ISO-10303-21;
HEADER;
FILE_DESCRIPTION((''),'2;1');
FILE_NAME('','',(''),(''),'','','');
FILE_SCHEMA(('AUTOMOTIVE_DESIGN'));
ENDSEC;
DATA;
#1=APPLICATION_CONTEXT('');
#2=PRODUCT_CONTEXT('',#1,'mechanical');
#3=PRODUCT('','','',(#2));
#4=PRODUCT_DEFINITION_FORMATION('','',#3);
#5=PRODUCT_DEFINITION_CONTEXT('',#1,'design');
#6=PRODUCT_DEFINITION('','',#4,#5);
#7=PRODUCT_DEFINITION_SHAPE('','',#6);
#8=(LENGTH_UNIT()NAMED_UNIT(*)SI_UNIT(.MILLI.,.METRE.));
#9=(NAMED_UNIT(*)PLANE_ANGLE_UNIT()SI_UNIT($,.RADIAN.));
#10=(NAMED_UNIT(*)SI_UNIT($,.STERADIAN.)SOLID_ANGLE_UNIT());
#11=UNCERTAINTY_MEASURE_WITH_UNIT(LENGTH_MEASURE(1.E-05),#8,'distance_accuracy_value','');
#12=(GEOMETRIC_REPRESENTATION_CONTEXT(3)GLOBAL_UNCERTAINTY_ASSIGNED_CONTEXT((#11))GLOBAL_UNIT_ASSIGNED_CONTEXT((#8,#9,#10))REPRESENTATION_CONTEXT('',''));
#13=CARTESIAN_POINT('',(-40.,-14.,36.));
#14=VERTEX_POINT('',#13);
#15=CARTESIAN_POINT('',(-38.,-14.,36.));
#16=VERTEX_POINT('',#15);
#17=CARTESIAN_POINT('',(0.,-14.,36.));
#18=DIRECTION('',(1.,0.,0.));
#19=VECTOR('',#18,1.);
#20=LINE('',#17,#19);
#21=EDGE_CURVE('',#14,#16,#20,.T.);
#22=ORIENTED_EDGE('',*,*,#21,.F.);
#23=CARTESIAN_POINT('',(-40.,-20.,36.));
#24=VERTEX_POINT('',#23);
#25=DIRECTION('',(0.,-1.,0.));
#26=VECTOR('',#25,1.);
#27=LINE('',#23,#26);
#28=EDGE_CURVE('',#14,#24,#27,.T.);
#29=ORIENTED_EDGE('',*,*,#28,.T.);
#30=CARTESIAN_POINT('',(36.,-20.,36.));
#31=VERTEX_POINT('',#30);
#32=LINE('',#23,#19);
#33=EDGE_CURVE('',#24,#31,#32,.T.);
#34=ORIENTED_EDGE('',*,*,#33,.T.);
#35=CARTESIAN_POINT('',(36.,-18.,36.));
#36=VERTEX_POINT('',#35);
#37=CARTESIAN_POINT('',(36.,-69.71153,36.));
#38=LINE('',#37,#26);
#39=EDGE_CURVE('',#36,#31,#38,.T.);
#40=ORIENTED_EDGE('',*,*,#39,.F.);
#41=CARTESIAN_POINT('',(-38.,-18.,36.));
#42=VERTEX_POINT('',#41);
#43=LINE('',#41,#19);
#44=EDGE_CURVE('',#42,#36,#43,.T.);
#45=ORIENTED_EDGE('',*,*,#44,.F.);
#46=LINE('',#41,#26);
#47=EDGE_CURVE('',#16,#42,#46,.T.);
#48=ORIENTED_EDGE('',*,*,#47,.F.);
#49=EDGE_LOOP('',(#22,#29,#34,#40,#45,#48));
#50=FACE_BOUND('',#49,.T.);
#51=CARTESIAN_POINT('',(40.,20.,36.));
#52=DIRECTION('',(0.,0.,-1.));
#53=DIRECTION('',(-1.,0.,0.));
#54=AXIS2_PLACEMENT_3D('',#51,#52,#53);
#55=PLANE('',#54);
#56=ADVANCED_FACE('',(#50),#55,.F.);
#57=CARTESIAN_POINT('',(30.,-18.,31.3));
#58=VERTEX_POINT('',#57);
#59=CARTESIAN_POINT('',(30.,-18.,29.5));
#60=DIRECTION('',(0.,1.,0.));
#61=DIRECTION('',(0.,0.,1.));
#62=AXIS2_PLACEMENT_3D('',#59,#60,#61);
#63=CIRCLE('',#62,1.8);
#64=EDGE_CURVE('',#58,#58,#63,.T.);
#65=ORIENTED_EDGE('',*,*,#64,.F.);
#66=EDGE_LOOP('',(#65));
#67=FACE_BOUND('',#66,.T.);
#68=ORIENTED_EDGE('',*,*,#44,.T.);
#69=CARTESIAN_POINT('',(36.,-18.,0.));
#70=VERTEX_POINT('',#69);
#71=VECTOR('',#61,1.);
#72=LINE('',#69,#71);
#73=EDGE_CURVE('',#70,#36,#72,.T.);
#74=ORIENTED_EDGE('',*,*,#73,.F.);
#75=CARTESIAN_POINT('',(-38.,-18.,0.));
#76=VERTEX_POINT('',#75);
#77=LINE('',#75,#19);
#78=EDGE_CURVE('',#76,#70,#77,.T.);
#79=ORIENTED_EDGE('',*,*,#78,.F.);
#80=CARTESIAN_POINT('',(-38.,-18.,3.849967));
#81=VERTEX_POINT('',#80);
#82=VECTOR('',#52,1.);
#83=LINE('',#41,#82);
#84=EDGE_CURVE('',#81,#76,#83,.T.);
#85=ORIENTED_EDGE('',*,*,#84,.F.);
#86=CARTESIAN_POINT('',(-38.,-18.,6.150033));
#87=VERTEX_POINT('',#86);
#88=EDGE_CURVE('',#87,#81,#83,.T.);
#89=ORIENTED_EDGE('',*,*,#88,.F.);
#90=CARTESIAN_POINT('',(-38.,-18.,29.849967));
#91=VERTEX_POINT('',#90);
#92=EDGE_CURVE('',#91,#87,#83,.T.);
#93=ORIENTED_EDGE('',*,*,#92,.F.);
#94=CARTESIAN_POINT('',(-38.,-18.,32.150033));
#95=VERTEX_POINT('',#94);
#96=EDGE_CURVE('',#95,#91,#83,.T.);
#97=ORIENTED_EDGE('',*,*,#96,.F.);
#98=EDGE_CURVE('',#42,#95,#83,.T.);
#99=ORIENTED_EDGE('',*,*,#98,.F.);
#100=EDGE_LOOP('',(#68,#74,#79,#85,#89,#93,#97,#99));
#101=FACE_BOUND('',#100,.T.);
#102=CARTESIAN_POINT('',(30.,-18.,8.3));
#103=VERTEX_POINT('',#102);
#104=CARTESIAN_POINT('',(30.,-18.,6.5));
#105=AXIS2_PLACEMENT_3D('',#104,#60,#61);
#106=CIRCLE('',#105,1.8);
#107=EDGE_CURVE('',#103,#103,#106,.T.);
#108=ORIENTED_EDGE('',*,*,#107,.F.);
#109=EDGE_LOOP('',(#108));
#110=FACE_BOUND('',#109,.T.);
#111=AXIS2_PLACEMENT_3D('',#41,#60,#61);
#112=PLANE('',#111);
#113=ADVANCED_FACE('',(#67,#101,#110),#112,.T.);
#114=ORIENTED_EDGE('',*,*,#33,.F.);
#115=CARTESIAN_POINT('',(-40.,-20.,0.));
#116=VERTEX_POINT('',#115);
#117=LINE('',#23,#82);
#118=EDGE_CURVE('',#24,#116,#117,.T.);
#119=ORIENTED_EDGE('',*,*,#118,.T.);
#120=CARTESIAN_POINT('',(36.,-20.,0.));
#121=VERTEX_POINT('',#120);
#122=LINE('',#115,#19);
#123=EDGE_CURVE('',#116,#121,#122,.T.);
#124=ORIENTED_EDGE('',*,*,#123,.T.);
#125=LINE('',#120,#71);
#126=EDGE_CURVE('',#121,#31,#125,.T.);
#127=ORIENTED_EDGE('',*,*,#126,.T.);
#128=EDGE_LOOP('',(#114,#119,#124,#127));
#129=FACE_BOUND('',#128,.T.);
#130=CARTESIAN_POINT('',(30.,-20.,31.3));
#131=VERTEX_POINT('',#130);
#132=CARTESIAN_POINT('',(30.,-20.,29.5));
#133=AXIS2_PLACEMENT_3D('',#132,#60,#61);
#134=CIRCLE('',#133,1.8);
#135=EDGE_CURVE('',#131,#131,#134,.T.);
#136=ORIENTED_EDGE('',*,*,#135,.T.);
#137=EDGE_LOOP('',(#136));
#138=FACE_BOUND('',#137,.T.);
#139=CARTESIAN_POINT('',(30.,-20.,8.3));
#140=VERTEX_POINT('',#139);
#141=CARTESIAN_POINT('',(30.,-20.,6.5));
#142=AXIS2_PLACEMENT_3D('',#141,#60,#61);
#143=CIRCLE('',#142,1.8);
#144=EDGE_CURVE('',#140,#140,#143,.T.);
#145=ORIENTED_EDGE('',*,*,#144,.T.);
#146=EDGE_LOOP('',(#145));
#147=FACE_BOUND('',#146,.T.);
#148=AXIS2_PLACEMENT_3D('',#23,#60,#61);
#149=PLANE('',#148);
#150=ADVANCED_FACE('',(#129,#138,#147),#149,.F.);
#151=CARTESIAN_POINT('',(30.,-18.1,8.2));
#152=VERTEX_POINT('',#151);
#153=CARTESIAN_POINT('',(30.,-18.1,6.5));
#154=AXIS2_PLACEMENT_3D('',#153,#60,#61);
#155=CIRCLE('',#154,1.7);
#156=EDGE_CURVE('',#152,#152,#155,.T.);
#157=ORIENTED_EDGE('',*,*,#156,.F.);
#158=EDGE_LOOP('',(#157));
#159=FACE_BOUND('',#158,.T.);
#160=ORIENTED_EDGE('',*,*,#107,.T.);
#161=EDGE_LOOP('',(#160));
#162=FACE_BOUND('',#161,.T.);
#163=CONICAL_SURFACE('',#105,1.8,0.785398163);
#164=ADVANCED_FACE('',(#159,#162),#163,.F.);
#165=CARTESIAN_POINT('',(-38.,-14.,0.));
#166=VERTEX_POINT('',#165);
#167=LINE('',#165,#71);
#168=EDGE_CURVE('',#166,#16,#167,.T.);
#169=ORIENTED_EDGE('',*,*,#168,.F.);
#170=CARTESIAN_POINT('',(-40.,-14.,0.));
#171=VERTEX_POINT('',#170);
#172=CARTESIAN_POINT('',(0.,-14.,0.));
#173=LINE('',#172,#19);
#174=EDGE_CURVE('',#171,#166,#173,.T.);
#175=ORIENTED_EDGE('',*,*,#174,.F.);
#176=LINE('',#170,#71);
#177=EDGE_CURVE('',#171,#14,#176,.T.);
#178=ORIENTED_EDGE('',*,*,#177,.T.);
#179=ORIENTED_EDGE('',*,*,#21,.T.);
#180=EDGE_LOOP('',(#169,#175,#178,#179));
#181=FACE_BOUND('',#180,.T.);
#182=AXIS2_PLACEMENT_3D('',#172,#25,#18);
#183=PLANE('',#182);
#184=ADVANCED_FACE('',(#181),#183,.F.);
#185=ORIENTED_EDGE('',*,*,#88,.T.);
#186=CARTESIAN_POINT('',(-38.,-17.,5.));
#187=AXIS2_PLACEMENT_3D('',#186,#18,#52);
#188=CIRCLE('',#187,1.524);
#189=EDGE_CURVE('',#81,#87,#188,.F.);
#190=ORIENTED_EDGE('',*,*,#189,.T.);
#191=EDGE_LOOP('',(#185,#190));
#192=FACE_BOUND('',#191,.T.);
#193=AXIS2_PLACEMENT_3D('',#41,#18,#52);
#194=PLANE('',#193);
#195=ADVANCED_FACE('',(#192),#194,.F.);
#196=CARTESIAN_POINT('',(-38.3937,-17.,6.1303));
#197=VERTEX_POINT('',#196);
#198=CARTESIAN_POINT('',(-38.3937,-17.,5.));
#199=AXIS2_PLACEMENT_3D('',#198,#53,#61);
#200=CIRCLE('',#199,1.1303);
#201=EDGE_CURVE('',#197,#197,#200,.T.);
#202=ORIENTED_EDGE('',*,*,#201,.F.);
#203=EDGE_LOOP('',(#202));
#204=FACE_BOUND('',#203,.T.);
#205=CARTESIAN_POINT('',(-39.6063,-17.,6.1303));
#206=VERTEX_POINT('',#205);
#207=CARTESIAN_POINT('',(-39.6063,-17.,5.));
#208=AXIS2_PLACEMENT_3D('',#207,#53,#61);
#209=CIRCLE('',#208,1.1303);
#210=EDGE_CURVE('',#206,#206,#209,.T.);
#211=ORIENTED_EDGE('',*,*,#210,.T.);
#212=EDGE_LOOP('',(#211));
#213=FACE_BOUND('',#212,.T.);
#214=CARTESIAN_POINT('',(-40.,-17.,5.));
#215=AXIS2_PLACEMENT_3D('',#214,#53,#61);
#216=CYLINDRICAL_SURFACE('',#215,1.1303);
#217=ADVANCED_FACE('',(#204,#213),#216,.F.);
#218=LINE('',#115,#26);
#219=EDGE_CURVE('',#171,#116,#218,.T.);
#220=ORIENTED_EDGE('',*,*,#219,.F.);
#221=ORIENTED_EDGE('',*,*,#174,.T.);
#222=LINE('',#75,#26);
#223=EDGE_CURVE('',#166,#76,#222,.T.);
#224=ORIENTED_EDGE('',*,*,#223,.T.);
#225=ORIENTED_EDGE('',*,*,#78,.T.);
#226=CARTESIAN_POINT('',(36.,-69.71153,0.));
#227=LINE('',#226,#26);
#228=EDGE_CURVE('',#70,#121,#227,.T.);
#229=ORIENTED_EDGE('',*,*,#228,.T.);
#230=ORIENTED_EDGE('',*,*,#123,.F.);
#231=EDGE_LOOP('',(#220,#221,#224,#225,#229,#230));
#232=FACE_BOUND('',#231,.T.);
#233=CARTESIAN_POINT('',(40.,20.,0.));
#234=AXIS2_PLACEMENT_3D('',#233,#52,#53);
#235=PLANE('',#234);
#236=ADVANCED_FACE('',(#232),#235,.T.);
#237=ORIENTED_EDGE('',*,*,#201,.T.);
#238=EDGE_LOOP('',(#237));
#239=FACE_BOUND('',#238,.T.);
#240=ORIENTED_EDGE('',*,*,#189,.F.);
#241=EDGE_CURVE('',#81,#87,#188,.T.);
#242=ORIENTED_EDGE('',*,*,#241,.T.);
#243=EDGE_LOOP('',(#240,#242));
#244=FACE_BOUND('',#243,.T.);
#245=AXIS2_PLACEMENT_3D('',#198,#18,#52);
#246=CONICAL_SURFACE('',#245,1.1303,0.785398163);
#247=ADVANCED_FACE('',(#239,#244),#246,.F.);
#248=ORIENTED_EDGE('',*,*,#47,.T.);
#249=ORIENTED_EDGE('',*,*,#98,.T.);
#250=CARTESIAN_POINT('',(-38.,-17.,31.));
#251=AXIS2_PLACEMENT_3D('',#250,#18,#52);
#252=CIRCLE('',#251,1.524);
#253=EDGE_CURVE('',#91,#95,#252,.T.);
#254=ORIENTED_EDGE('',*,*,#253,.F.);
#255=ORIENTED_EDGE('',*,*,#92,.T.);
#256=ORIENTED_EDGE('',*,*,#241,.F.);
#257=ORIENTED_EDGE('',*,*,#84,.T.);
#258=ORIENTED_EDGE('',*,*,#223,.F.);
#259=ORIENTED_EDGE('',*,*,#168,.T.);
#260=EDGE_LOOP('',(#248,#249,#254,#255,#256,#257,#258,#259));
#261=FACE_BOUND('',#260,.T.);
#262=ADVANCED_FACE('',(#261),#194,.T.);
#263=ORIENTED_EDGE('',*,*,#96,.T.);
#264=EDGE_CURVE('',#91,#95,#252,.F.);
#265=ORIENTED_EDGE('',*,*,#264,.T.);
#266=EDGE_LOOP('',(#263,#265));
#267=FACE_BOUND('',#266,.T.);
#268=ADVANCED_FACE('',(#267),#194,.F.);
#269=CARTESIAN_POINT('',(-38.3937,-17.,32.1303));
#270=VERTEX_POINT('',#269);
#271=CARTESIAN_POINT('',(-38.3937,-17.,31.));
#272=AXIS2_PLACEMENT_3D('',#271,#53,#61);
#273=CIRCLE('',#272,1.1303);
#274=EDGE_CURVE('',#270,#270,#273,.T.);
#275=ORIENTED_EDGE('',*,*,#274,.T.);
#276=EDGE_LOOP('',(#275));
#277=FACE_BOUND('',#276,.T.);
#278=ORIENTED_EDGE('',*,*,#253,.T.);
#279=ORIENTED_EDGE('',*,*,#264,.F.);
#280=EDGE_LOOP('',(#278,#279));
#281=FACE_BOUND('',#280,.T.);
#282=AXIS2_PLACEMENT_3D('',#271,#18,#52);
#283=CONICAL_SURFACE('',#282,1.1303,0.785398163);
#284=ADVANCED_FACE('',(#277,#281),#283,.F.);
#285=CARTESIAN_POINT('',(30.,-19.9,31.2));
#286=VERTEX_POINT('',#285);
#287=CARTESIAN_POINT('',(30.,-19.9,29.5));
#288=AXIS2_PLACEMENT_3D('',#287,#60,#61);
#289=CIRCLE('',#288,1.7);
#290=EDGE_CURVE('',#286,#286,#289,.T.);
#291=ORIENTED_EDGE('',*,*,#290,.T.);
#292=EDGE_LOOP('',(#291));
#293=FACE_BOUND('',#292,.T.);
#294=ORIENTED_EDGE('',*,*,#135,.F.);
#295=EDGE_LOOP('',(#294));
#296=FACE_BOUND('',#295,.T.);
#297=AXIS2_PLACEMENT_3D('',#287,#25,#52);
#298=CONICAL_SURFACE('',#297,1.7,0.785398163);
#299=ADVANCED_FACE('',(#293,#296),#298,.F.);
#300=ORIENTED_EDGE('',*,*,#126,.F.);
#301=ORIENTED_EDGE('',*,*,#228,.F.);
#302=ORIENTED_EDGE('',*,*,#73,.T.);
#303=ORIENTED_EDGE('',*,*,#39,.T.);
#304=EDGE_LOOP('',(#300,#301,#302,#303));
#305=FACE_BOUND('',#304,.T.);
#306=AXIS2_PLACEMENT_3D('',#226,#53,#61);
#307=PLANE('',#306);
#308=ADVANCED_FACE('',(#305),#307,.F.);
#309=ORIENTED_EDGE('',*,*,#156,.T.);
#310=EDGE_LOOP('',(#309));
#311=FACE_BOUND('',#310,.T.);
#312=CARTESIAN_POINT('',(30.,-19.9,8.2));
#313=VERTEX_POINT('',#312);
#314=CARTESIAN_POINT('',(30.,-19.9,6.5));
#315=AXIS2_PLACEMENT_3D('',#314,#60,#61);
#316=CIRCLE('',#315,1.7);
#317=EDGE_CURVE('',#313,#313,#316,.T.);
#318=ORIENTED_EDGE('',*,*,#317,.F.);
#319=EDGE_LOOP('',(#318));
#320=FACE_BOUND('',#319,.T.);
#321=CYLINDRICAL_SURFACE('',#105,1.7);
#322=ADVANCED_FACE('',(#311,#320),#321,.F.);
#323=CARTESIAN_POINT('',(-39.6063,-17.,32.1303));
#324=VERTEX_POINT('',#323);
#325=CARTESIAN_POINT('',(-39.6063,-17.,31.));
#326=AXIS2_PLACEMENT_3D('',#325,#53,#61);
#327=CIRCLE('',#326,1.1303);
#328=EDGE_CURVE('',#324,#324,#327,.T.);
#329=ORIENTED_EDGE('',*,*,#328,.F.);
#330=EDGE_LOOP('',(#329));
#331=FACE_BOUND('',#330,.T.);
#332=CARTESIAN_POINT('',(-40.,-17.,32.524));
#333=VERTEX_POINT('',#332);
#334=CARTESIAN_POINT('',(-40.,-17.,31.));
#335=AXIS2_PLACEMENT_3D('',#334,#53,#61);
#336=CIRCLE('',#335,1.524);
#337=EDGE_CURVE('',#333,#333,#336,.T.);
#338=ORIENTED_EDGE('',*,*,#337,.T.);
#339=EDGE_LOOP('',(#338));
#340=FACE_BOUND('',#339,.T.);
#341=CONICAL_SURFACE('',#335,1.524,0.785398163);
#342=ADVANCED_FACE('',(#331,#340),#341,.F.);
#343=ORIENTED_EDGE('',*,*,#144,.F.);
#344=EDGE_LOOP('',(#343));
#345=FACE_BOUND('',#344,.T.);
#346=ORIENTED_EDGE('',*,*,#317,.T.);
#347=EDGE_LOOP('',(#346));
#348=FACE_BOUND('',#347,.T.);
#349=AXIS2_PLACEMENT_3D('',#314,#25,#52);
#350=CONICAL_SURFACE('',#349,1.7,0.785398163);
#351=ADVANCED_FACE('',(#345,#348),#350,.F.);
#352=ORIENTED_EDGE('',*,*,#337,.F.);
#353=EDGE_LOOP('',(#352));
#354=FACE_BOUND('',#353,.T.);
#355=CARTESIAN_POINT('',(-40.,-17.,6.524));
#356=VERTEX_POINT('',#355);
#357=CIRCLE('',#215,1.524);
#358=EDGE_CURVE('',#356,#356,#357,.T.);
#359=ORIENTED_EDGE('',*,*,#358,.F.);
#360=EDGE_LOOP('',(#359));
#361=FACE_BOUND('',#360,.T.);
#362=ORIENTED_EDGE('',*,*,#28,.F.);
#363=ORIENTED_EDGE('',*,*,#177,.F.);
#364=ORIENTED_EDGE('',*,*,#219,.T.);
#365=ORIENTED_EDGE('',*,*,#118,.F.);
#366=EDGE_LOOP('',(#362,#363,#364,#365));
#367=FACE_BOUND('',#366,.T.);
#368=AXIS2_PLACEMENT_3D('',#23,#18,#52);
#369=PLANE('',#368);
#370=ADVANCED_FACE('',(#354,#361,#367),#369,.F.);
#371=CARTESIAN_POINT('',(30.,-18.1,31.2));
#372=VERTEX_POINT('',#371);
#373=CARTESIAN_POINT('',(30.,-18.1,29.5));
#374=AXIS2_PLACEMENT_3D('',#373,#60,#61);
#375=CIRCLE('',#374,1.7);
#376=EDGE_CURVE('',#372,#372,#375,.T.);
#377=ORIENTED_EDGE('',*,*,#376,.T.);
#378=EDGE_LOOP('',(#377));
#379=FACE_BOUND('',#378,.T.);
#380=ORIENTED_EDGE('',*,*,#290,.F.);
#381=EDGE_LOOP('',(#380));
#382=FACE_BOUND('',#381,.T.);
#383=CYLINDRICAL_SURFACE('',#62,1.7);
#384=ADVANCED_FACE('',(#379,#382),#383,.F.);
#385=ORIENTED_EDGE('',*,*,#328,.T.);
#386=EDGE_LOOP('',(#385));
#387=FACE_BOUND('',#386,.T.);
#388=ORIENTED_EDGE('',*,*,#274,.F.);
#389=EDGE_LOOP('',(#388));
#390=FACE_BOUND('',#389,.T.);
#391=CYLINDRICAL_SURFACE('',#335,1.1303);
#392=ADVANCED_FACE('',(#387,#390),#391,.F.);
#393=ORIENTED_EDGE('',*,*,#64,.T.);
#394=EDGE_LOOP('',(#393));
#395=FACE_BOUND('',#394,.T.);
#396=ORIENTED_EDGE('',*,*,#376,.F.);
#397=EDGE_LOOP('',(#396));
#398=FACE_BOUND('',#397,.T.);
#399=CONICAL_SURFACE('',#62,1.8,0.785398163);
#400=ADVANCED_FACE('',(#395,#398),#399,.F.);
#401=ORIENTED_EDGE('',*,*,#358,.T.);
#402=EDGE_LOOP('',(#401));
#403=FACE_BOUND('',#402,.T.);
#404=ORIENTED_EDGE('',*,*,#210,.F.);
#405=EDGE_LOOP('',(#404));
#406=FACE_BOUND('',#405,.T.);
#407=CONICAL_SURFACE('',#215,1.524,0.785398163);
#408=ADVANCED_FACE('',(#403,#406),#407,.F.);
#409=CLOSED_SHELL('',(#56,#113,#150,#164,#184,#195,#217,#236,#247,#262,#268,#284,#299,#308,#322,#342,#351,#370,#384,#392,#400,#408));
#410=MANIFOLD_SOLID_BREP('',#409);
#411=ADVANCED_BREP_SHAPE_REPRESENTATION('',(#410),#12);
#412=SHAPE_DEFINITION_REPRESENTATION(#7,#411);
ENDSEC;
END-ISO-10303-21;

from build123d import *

# Parameters (mm, degrees)
SKETCH_1_W                  = 80
SKETCH_1_H                  = 40
SKETCH_1_W_2                = 76
SKETCH_1_H_2                = 36
EXTRUDE_1_DEPTH             = 36
CUT_EXTRUDE_1_DEPTH         = 37
HOLE_WIZARD_4_40_AT_2_COUNT = 2
HOLE_WIZARD_4_40_AT_2_PITCH = 26
HOLE_WIZARD_M3_AT_2_COUNT   = 2
HOLE_WIZARD_M3_AT_2_PITCH   = 23


with BuildPart() as part:
    # Эскиз1 → Бобышка-Вытянуть1 (new body)
    with BuildSketch(Plane.XY):
        Rectangle(SKETCH_1_W, SKETCH_1_H)
        Rectangle(SKETCH_1_W_2, SKETCH_1_H_2, mode=Mode.SUBTRACT)
    extrude(amount=EXTRUDE_1_DEPTH)

    # Эскиз2 → Вырез-Вытянуть1 (cut, through all)
    with BuildSketch(Plane.XY.offset(36)):
        Polygon((-40, 20), (-40, -14), (-38, -14), (-38, 18), (38, 18), (38, -18), (36, -18), (36, -20), (40, -20), (40, 20), align=None)
    extrude(amount=-CUT_EXTRUDE_1_DEPTH, mode=Mode.SUBTRACT)

    # Эскиз3 → 4-40 (revolve, cut)
    with BuildSketch(Plane(origin=(-40, -17, 5), x_dir=(0, 0, 1), z_dir=(0, 1, 0))):
        Polygon((0, 0), (0, 2), (1.524, 2), (1.1303, 1.6063), (1.1303, 0.3937), (1.524, 0), align=None)
    hole_wizard_4_40 = revolve(axis=Axis((-46.35, -17, 5), (1, 0, 0)), mode=Mode.SUBTRACT)

    # 4-40 at 2: 4-40 ×2
    with Locations(*[(0, 0, i * HOLE_WIZARD_4_40_AT_2_PITCH) for i in range(1, HOLE_WIZARD_4_40_AT_2_COUNT)]):
        add(hole_wizard_4_40, mode=Mode.SUBTRACT)

    # Эскиз5 → Отверстие под  M3 (revolve, cut)
    with BuildSketch(Plane(origin=(30, -18, 6.5), x_dir=(0, 0, 1), z_dir=(1, 0, 0))):
        Polygon((0, 0), (0, 2), (1.8, 2), (1.7, 1.9), (1.7, 0.1), (1.8, 0), align=None)
    hole_wizard_m3 = revolve(axis=Axis((30, -11.65, 6.5), (0, -1, 0)), mode=Mode.SUBTRACT)

    # Отверстие под  M3 at 2: Отверстие под  M3 ×2
    with Locations(*[(0, 0, i * HOLE_WIZARD_M3_AT_2_PITCH) for i in range(1, HOLE_WIZARD_M3_AT_2_COUNT)]):
        add(hole_wizard_m3, mode=Mode.SUBTRACT)


solid = part.part
